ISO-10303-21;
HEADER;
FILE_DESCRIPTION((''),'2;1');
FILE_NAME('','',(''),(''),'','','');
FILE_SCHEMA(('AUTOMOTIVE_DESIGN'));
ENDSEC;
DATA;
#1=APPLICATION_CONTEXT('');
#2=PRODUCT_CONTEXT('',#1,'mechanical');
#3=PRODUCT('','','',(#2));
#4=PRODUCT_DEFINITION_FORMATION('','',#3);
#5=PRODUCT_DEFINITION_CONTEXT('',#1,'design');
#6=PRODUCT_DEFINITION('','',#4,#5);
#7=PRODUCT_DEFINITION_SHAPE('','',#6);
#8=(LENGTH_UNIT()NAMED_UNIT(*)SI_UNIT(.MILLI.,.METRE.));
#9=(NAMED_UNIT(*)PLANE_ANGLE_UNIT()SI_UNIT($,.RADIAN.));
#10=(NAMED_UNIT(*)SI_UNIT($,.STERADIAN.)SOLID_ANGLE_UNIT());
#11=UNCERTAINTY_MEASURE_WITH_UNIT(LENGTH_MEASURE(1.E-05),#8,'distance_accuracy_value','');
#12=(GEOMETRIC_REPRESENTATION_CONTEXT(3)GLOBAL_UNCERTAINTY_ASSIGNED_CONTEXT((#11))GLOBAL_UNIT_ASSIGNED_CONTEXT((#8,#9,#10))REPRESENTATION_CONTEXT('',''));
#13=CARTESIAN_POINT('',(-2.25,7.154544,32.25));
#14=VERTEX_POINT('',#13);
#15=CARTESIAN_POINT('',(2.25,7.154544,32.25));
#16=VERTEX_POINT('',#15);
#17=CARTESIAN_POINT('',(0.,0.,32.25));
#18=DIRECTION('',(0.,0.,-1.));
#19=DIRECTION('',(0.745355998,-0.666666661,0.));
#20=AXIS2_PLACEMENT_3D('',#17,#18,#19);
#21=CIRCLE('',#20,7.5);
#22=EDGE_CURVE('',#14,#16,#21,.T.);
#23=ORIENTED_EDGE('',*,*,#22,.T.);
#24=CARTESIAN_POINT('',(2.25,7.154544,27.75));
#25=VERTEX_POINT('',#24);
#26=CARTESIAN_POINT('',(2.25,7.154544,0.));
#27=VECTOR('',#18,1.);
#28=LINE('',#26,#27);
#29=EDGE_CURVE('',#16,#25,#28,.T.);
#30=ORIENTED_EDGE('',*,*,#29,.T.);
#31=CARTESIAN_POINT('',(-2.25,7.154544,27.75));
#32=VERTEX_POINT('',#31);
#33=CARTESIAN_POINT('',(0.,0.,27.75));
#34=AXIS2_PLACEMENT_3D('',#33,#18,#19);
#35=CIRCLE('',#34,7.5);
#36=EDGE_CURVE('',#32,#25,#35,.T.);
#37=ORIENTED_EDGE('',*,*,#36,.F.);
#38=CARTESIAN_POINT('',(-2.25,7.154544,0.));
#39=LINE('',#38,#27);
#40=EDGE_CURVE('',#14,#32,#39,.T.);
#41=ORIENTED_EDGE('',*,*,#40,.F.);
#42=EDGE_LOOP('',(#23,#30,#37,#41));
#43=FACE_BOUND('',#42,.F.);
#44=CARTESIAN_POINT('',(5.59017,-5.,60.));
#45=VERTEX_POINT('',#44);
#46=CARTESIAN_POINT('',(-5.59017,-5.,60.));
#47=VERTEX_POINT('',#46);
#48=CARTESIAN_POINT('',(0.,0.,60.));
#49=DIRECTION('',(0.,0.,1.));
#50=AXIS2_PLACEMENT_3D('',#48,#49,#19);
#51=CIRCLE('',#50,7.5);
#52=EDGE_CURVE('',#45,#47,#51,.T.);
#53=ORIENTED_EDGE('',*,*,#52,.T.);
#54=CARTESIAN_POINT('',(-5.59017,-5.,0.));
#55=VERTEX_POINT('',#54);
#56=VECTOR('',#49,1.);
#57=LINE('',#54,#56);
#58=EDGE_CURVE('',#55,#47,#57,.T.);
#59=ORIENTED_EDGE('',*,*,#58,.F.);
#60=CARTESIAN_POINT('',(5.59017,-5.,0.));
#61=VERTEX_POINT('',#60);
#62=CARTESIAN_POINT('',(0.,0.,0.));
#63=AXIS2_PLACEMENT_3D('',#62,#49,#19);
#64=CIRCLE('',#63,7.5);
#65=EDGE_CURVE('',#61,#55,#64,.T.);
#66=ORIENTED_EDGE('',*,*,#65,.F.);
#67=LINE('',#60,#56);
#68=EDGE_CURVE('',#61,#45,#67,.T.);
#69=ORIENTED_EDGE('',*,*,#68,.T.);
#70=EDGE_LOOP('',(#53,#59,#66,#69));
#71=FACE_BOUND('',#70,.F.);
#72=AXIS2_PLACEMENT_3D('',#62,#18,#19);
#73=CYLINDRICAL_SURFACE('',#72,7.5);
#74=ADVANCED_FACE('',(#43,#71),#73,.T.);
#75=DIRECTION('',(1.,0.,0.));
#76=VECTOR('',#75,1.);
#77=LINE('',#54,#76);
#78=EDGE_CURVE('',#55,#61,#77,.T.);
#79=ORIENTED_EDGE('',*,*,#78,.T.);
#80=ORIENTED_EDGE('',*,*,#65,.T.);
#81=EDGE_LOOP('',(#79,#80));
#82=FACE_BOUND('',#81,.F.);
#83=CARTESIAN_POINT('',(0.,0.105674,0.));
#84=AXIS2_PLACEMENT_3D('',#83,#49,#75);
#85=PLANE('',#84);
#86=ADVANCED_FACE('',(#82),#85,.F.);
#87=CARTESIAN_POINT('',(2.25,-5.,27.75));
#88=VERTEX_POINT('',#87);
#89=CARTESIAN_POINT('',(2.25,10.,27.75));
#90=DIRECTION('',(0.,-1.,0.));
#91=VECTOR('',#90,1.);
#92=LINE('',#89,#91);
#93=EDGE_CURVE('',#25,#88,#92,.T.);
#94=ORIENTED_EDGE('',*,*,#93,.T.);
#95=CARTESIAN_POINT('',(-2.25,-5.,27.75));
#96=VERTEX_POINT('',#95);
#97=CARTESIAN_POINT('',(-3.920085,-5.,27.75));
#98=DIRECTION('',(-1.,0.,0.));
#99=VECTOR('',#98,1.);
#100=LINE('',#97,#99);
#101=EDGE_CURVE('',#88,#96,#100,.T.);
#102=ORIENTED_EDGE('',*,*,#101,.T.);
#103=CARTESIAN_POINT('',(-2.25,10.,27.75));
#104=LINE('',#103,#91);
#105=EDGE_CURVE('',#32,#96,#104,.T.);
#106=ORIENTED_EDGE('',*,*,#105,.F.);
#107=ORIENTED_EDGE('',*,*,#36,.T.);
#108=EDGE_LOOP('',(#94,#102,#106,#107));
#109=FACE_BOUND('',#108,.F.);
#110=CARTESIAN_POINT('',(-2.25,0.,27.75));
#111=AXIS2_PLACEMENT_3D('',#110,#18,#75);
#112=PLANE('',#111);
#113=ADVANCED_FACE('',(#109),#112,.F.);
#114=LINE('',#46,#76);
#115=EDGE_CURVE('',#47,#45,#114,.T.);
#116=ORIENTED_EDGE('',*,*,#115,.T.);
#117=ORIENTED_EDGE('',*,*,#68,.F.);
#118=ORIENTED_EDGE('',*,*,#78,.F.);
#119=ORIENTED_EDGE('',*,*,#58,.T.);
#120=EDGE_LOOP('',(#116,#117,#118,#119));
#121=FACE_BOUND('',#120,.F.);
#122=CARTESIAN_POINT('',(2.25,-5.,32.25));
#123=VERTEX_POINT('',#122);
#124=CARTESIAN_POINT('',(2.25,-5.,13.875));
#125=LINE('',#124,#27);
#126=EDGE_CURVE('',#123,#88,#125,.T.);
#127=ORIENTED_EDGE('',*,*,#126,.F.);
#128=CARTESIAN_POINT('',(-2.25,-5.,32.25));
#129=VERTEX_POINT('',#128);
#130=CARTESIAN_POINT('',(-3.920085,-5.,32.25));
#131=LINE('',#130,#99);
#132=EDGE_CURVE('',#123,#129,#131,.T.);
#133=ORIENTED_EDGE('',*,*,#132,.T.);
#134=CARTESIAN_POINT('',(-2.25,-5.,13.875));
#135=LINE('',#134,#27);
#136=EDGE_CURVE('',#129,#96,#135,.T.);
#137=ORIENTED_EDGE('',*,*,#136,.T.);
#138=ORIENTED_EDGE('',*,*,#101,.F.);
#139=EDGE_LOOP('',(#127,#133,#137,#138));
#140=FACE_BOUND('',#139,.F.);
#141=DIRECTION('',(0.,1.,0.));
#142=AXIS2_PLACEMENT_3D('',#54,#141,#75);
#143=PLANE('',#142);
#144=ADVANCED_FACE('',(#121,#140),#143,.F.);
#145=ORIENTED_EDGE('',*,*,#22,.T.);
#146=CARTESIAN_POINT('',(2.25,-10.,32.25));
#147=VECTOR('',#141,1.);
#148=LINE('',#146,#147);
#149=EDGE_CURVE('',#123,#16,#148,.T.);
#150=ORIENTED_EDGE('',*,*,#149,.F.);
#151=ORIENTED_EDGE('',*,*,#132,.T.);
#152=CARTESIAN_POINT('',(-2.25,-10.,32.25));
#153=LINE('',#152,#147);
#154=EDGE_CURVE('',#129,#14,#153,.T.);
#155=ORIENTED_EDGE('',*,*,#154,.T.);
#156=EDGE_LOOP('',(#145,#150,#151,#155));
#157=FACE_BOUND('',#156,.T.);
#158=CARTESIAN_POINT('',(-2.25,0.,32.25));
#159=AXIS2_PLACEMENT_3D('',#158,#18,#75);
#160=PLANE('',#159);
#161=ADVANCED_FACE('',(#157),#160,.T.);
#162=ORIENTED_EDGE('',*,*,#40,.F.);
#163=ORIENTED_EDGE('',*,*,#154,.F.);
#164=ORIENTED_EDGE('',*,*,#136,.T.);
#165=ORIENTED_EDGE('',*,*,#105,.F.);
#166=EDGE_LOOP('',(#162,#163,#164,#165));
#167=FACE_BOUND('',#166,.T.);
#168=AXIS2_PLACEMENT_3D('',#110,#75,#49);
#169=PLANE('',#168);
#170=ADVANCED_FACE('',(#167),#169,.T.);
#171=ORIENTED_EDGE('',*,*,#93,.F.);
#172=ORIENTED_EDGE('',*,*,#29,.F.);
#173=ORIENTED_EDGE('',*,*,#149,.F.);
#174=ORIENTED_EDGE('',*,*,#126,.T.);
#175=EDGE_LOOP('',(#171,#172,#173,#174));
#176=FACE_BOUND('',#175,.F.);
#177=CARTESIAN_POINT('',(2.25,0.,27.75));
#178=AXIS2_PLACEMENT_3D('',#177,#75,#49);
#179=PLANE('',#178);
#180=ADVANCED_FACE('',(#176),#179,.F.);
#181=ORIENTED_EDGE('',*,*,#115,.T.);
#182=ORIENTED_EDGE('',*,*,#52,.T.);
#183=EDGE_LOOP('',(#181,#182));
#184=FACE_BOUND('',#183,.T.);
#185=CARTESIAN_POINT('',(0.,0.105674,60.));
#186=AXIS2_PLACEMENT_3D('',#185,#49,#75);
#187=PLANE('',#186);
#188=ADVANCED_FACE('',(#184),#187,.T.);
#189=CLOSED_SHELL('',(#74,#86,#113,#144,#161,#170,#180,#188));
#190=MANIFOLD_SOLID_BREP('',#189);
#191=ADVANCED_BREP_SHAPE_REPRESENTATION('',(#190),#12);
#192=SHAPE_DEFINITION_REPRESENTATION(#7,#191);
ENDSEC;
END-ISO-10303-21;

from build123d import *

# Parameters (mm, degrees)
F1_DEPTH = 60
F2_W     = 4.5
F2_H     = 4.5
F3_DEPTH = 10


with BuildPart() as f1:
    # F0 (on Top) → F1 (new body)
    with BuildSketch(Plane.XY):
        with BuildLine():
            Line((-5.59017, -5), (5.59017, -5))
            ThreePointArc((5.59017, -5), (0, 7.5), (-5.59017, -5))
        make_face()
    extrude(amount=F1_DEPTH)

    # F2 (on Front) → F3 (cut, symmetric)
    with BuildSketch(Plane.XZ):
        with Locations((0, 30)):
            Rectangle(F2_W, F2_H)
    extrude(amount=F3_DEPTH, both=True, mode=Mode.SUBTRACT)


solid = f1.part
